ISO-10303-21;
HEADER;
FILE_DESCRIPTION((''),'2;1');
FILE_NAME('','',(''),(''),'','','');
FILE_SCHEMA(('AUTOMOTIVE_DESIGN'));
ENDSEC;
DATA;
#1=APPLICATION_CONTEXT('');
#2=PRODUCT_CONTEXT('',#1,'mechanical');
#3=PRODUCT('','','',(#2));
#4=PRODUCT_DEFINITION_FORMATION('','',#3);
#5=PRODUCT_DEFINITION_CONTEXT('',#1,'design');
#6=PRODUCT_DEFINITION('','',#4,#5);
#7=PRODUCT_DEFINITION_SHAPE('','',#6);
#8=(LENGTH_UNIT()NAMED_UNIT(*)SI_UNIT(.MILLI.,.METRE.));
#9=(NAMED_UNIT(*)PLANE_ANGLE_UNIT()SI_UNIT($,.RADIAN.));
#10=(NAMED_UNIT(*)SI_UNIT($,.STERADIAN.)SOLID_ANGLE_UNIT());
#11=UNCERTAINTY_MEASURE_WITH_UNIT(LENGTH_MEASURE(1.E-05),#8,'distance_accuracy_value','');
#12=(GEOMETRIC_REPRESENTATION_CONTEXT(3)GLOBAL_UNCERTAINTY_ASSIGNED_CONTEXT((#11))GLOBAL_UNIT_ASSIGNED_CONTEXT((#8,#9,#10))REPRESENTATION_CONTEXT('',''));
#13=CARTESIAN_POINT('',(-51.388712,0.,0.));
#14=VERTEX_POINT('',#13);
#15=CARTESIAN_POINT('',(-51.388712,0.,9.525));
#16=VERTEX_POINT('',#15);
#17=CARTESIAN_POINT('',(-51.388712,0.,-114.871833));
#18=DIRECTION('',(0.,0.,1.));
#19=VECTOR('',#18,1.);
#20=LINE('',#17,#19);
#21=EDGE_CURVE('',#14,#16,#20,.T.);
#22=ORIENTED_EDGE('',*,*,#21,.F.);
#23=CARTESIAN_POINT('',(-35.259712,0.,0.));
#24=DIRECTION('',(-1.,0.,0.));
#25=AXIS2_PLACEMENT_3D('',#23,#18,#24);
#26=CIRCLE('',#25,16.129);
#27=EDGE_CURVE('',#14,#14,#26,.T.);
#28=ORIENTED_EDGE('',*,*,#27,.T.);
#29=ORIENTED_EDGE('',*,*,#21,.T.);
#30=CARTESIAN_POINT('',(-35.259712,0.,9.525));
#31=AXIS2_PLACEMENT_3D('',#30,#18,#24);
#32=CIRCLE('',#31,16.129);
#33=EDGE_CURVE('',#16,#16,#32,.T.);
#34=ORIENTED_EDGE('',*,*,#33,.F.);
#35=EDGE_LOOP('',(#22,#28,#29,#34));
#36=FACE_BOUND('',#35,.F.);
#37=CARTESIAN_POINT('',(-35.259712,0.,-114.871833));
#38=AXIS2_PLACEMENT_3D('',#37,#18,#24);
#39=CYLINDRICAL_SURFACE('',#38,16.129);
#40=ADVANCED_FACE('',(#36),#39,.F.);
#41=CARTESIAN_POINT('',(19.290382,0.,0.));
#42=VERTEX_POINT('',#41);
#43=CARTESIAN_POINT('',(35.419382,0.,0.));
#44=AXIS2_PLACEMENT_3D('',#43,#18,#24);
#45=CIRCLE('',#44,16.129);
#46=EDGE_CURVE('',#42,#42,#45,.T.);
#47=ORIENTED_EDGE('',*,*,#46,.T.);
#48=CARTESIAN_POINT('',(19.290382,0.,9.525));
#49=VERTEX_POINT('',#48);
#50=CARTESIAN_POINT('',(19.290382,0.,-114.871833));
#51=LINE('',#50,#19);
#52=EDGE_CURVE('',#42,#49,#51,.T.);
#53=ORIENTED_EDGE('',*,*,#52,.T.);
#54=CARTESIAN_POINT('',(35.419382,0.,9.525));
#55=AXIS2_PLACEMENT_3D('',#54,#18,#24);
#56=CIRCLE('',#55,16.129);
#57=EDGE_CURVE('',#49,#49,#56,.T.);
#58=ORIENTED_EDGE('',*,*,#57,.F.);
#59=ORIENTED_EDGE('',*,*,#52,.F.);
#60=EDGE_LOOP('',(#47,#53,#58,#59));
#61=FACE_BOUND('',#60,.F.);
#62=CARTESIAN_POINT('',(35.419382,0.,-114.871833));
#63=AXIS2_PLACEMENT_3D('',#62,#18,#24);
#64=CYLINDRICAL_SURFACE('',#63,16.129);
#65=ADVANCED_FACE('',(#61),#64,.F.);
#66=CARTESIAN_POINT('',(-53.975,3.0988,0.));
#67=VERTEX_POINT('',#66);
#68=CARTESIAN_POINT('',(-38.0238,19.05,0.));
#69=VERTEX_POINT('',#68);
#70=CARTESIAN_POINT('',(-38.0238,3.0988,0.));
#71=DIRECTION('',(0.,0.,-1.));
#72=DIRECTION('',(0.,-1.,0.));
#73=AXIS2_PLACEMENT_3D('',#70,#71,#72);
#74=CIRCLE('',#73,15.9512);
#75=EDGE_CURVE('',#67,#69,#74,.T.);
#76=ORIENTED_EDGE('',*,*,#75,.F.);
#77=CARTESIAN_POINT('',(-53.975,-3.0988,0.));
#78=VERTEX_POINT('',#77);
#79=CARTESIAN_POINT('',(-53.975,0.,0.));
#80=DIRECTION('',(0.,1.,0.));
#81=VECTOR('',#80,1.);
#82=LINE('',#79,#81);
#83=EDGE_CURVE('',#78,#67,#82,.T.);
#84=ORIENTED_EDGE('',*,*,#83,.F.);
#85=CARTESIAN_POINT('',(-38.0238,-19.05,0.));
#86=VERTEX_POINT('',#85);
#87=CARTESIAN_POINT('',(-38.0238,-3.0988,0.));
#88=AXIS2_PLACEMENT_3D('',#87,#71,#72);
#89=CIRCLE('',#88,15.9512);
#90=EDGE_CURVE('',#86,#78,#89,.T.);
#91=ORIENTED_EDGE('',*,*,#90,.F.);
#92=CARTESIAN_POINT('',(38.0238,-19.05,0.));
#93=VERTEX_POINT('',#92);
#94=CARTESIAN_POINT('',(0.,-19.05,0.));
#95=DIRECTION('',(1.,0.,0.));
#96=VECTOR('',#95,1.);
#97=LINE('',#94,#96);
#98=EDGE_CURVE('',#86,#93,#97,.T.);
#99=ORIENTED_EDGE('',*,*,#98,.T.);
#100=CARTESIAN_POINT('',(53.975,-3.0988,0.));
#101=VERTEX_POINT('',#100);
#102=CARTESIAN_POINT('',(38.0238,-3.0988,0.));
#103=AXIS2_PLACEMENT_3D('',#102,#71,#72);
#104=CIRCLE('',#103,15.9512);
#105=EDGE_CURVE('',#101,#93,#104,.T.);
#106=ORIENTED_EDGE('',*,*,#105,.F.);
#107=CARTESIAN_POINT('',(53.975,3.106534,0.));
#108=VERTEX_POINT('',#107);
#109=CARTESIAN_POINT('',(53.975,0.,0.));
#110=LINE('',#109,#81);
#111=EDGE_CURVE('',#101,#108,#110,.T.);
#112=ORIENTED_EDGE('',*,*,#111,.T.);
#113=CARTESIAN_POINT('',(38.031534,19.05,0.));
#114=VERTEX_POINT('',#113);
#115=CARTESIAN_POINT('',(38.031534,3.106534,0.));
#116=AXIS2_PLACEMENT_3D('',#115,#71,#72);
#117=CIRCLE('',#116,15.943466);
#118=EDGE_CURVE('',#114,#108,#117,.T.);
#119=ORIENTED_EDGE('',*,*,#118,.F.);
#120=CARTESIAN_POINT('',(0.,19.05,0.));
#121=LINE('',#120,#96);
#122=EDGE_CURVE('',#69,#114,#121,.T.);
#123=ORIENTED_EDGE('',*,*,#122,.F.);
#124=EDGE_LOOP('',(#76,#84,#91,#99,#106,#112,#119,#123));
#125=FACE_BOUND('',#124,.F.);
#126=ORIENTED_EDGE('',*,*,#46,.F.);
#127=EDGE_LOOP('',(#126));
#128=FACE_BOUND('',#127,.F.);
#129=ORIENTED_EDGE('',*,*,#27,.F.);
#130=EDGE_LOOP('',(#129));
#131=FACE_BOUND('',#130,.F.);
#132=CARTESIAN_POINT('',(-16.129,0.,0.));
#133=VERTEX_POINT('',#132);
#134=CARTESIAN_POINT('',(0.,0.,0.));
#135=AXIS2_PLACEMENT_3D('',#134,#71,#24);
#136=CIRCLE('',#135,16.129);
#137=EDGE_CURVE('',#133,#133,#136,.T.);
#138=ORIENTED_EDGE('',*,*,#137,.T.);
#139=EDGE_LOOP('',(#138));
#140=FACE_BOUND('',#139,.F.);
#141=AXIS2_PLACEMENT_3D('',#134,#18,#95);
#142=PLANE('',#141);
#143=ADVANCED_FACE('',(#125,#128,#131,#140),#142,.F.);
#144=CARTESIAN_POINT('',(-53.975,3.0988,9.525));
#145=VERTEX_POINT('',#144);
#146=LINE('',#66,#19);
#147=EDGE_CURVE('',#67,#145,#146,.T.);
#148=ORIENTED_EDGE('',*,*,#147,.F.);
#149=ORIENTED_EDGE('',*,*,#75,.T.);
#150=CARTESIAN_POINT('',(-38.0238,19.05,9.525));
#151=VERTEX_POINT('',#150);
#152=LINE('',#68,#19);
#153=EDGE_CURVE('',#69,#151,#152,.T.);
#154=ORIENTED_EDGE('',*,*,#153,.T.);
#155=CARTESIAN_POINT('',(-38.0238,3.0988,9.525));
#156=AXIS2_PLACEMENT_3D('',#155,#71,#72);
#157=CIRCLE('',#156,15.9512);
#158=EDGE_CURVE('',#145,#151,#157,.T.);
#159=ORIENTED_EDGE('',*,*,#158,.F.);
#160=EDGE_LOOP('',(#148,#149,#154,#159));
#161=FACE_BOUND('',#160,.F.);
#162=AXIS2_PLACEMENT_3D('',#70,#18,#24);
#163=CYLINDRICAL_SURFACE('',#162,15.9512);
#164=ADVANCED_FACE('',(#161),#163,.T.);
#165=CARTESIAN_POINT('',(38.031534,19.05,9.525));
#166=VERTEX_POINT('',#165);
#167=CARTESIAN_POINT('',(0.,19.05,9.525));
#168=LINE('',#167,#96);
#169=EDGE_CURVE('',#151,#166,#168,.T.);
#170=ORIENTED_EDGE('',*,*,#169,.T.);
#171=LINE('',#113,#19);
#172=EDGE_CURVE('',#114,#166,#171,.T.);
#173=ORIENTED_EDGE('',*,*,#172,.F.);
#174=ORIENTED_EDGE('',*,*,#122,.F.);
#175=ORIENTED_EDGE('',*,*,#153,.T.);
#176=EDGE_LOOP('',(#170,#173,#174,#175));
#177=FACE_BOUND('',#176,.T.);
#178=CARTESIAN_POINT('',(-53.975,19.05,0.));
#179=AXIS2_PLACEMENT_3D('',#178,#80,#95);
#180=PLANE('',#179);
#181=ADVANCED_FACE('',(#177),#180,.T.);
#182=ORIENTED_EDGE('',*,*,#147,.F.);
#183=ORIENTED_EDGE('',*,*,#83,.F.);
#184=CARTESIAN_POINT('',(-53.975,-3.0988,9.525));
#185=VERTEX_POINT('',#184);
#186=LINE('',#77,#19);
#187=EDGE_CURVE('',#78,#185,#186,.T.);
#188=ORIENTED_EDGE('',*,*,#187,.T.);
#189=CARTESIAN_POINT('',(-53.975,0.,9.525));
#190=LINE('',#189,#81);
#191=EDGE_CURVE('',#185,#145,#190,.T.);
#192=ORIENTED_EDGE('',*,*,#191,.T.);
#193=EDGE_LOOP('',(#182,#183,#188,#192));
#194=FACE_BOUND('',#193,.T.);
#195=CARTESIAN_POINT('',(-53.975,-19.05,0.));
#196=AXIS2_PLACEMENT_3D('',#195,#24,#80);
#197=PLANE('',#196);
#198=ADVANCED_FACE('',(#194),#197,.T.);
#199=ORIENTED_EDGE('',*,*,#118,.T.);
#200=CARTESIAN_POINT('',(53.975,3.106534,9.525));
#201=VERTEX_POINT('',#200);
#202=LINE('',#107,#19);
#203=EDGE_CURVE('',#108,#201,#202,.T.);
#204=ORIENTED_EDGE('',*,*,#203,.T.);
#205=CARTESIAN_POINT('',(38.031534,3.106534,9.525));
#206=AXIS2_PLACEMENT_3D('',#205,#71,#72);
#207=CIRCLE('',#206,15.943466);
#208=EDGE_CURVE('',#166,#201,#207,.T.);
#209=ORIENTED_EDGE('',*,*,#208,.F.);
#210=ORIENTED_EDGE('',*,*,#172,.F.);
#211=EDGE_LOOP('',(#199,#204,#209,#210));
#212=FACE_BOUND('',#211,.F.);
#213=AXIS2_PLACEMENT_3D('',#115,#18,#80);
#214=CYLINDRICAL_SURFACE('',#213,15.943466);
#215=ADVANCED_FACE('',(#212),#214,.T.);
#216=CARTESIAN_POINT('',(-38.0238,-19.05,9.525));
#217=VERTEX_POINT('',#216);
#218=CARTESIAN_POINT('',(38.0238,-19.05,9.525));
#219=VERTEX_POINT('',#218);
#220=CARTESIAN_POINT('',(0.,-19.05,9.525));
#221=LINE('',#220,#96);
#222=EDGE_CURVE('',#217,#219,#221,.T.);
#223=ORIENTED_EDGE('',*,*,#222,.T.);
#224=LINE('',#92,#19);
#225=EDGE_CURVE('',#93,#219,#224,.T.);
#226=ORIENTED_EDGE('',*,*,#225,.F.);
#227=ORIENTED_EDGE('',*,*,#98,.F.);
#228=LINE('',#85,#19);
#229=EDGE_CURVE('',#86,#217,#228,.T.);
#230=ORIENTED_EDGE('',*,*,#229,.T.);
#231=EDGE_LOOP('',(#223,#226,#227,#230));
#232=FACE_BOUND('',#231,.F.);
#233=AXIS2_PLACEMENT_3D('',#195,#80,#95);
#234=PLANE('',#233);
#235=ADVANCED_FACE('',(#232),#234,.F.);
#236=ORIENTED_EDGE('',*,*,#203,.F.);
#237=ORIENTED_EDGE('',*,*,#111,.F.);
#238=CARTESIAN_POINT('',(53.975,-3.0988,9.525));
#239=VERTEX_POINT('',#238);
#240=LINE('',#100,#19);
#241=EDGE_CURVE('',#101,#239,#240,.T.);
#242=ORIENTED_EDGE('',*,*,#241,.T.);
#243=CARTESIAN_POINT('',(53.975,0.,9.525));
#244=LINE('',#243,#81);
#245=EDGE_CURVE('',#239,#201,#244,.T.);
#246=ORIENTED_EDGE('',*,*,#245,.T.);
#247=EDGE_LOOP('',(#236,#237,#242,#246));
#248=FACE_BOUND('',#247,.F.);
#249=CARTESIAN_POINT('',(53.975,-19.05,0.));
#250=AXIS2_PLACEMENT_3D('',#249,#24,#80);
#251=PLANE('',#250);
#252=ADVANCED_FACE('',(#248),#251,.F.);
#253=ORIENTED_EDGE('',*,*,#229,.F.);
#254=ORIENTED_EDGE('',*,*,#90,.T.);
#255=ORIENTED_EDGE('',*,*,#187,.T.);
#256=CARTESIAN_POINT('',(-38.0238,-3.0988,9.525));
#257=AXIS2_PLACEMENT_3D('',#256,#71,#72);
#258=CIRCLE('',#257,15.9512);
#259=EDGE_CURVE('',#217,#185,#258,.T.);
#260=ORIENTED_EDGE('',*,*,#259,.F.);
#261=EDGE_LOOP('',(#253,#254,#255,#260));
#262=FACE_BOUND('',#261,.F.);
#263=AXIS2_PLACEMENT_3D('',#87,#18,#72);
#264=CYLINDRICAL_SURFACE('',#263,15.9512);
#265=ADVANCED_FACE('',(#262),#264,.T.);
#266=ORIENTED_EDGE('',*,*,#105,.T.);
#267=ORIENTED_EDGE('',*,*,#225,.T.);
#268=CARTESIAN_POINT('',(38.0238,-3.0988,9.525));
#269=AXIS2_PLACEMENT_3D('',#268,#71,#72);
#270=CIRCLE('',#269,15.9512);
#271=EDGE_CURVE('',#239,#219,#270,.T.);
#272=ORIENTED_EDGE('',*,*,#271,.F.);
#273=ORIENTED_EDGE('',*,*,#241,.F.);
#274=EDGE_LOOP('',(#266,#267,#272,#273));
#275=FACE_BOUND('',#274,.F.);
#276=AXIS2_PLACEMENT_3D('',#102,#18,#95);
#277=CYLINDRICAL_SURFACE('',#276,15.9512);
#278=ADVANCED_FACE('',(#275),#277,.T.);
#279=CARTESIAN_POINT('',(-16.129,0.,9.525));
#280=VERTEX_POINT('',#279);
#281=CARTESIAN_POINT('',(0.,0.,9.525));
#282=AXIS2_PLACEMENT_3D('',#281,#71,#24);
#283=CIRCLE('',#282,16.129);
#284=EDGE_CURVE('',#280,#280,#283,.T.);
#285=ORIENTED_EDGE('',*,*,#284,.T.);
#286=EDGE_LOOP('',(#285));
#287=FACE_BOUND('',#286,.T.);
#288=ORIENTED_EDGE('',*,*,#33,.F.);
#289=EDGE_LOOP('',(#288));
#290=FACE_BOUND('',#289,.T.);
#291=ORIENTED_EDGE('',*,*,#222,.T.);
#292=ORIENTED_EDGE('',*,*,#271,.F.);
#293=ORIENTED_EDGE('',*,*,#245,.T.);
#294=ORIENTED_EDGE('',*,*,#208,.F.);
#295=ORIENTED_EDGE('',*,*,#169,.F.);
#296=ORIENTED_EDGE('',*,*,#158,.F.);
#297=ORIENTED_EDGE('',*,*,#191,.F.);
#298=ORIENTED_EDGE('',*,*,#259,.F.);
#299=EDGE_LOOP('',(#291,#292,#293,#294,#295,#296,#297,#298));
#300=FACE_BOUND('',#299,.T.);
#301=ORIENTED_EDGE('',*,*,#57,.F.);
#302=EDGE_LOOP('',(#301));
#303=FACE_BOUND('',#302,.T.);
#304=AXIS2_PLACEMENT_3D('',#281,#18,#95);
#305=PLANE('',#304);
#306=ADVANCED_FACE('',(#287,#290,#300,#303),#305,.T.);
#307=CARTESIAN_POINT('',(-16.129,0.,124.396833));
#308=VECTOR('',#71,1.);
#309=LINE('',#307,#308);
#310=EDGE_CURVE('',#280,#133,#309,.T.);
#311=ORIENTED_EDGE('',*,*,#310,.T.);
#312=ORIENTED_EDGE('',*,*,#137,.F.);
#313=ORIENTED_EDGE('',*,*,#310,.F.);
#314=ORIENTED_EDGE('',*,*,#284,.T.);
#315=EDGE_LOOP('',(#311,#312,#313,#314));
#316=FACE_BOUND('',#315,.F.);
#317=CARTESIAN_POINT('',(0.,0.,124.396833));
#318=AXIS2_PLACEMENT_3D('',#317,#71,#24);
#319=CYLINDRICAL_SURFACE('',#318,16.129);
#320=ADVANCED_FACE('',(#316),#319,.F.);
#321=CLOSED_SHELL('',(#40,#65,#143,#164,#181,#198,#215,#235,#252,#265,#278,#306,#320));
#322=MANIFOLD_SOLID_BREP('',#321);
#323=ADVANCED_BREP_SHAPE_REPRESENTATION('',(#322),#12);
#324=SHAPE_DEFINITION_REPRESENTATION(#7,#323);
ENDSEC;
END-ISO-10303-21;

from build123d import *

# Parameters (mm, degrees)
F0_W     = 107.95
F0_H     = 38.1
F1_DEPTH = 9.525
F3_D     = 32.258
F5_D     = 32.258
F7_D     = 32.258
F8_R     = 15.943466
F9_R     = 15.9512
F10_R    = 15.9512
F11_R    = 15.9512


with BuildPart() as f1:
    # F0 (on Top) → F1 (new body)
    with BuildSketch(Plane.XY):
        Rectangle(F0_W, F0_H)
    extrude(amount=F1_DEPTH)

    # F3 (through all)
    with Locations(Plane.XY.offset(9.525)):
        with Locations((0, 0)):
            Hole(F3_D / 2)

    # F5 (through all)
    with Locations(Plane(origin=(0, 0, 0), x_dir=(1, 0, 0), z_dir=(0, 0, -1))):
        with Locations((-35.259712, 0)):
            Hole(F5_D / 2)

    # F7 (through all)
    with Locations(Plane(origin=(0, 0, 0), x_dir=(1, 0, 0), z_dir=(0, 0, -1))):
        with Locations((35.419382, 0)):
            Hole(F7_D / 2)

    # F8
    f8_edges = [f1.edges().sort_by_distance(p)[0] for p in [
        (53.975, 19.05, 4.7625),
    ]]
    fillet(f8_edges, radius=F8_R)

    # F9
    f9_edges = [f1.edges().sort_by_distance(p)[0] for p in [
        (53.975, -19.05, 4.7625),
    ]]
    fillet(f9_edges, radius=F9_R)

    # F10
    f10_edges = [f1.edges().sort_by_distance(p)[0] for p in [
        (-53.975, -19.05, 4.7625),
    ]]
    fillet(f10_edges, radius=F10_R)

    # F11
    f11_edges = [f1.edges().sort_by_distance(p)[0] for p in [
        (-53.975, 19.05, 4.7625),
    ]]
    fillet(f11_edges, radius=F11_R)


solid = f1.part
